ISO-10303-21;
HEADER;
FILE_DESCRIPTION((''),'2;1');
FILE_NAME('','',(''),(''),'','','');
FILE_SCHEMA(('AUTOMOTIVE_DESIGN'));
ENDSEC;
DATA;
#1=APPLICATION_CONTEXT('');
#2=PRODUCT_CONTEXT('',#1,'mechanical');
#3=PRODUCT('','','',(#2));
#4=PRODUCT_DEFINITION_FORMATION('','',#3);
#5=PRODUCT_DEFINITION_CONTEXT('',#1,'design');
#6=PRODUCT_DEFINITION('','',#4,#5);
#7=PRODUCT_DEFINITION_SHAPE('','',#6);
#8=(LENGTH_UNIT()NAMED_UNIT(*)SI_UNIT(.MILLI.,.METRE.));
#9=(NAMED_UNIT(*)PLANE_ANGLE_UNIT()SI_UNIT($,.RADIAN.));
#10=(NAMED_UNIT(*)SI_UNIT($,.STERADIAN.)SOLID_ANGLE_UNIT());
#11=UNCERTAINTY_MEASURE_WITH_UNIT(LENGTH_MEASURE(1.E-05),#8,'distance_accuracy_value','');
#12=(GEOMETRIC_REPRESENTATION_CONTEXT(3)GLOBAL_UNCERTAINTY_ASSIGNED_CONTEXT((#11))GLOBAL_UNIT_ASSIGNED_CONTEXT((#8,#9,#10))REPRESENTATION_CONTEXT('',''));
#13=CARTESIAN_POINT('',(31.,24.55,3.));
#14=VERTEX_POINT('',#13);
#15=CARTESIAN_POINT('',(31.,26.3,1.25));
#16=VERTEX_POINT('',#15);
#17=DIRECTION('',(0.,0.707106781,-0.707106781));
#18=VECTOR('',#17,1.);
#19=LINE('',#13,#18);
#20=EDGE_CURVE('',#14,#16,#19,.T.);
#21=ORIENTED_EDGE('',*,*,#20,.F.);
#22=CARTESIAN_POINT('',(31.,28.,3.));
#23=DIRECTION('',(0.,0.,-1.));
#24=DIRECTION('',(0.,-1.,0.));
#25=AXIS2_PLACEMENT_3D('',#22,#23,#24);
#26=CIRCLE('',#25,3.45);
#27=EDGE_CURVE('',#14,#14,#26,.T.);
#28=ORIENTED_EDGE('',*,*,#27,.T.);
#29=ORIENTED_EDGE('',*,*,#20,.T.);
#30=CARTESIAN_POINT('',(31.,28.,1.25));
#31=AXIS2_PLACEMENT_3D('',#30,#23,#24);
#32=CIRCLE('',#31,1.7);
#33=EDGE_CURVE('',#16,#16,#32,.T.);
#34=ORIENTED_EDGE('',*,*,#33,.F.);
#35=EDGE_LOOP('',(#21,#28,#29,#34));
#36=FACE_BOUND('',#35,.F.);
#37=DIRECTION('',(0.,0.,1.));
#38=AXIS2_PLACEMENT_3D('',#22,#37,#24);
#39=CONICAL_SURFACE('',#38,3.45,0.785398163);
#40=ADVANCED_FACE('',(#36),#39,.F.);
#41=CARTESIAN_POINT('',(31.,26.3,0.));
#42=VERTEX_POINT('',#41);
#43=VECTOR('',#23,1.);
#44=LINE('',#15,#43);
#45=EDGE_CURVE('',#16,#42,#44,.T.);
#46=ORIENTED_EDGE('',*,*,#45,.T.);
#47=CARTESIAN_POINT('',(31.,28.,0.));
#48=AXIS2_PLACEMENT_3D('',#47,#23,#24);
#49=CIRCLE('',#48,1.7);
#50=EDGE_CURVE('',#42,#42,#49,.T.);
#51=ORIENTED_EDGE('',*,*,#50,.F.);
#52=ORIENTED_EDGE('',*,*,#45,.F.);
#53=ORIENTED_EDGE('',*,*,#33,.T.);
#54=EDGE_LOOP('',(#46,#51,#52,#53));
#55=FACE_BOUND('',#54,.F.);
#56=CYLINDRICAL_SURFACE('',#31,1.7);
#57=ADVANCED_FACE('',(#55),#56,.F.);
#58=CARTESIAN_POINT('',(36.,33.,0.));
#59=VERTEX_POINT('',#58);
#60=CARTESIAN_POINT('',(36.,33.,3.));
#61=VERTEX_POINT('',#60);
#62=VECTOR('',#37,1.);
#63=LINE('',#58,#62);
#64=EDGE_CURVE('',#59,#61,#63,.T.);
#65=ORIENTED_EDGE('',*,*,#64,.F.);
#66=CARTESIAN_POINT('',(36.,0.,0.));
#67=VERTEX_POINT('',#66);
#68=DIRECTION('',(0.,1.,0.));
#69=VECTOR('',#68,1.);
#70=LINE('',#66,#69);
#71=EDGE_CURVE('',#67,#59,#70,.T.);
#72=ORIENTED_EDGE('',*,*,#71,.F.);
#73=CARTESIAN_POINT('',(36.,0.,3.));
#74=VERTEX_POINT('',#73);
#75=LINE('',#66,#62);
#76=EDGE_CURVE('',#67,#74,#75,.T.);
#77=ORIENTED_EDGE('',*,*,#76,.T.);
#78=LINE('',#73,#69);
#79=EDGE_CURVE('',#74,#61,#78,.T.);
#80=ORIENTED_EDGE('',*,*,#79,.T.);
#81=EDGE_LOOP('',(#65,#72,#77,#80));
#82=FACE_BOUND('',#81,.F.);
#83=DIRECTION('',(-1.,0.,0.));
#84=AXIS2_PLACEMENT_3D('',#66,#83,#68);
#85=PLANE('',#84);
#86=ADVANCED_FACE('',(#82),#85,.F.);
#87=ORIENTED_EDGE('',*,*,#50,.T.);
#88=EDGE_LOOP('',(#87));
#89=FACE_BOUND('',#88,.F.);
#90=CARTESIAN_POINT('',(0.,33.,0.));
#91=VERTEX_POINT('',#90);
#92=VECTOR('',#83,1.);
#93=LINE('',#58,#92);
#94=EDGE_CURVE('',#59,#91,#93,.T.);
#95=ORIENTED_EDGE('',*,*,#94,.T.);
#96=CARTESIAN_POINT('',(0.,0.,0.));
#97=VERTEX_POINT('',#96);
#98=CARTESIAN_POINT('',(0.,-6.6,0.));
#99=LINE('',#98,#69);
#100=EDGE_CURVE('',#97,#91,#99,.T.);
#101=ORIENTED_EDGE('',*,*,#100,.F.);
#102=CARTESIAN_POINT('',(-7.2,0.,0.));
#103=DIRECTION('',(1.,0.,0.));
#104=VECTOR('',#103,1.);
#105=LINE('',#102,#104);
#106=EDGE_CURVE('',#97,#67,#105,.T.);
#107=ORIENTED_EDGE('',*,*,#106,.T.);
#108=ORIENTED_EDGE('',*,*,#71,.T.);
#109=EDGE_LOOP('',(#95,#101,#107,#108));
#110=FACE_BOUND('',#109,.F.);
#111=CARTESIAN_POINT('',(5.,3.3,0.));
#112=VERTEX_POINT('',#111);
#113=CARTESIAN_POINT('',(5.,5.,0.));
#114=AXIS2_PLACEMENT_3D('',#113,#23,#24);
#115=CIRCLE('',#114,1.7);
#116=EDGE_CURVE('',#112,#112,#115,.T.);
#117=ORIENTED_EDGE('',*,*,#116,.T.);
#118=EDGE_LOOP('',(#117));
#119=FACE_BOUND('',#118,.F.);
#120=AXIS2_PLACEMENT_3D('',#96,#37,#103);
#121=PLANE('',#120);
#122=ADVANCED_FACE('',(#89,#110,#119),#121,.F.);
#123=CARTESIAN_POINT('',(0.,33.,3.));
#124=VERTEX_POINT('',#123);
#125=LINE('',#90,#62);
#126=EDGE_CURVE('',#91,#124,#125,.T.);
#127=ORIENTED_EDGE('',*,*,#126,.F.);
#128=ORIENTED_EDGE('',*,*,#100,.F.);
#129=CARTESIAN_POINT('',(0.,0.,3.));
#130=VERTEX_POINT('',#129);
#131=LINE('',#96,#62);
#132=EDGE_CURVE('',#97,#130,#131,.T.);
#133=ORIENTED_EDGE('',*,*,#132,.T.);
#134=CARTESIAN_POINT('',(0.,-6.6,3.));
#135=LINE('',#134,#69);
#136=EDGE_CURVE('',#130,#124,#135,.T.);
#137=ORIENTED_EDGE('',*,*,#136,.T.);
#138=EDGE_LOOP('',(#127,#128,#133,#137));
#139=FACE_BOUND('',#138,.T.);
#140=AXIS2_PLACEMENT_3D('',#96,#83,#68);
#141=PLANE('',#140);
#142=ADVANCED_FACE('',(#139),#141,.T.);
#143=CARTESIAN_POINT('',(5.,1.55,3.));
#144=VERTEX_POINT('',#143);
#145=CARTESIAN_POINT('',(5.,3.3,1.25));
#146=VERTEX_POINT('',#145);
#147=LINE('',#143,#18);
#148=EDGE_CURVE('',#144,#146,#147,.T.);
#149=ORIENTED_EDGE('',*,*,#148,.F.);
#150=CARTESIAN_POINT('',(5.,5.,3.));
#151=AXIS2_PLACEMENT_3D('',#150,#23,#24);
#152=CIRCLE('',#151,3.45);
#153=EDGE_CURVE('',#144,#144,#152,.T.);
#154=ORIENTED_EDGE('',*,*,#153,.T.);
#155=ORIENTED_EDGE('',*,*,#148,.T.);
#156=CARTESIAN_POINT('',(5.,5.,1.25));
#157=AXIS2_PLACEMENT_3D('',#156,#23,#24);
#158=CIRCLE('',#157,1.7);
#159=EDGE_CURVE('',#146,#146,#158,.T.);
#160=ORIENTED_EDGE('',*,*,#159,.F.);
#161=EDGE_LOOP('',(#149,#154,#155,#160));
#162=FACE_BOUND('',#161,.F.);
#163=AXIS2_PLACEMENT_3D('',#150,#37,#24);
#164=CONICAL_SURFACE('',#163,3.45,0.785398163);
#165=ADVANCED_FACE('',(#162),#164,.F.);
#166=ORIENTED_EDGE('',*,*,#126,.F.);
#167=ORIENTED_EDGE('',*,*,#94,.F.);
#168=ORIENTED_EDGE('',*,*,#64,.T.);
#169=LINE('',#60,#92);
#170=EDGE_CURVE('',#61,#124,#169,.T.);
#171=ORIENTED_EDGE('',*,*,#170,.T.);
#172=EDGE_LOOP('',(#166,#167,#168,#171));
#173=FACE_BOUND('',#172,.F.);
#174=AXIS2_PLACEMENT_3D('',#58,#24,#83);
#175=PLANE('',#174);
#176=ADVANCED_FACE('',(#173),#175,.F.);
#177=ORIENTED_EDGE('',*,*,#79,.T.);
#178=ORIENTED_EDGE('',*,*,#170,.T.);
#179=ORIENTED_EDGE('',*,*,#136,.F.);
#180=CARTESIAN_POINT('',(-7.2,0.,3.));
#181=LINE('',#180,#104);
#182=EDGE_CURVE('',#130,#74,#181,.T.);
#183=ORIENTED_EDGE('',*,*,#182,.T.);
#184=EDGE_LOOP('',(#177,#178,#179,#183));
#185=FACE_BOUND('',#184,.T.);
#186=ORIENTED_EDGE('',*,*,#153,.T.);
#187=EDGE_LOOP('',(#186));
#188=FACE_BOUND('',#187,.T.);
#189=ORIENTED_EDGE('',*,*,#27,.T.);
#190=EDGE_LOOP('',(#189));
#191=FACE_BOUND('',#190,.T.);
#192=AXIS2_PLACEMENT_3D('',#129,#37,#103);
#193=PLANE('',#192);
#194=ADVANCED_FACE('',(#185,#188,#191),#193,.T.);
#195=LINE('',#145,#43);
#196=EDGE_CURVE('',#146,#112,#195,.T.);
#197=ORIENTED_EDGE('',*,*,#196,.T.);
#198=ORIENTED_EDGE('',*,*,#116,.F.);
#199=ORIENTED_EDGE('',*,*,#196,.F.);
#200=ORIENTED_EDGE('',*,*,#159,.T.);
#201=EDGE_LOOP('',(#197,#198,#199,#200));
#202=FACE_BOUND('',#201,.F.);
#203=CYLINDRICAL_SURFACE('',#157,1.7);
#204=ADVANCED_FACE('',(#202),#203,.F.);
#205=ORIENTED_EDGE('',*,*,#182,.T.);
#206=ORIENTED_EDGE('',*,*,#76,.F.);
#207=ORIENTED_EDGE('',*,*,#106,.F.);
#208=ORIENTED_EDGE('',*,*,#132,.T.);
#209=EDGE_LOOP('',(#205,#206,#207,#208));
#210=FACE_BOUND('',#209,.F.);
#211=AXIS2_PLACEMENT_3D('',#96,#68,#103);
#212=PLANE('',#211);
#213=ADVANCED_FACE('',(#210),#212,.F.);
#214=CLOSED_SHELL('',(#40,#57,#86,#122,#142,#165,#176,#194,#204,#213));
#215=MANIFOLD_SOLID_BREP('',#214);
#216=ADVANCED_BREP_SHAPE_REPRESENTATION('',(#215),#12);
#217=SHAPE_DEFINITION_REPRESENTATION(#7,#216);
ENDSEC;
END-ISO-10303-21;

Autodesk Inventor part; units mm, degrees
ref_plane "YZ Plane" through (0, 0, 0) normal (1, 0, 0) x (0, 1, 0)
ref_plane "XZ Plane" through (0, 0, 0) normal (0, 1, 0) x (-1, 0, 0)
ref_plane "XY Plane" through (0, 0, 0) normal (0, 0, 1) x (1, 0, 0)
sketch "Skizze1" plane through (0, 0, 0) normal (0, 0, 1) x (1, 0, 0)
  line L0 (-7.2, 0) -> (43.2, 0) projected
  line L1 (0, -6.6) -> (0, 39.6) projected
  line L2 (0, 0) -> (36, 0)
  line L3 (36, 0) -> (36, 33)
  line L4 (36, 33) -> (0, 33)
  line L5 (0, 33) -> (0, 0)
  dimension "d0" = 36
  dimension "d1" = 33
extrude "Extrusion1" add sketch "Skizze1" along normal blind 3
sketch "Skizze2" plane through (0, 0, 3) normal (0, 0, 1) x (1, 0, 0)
  line L0 (0, 0) -> (36, 0) projected
  line L1 (36, 0) -> (36, 33) projected
  line L2 (36, 33) -> (0, 33) projected
  line L3 (0, 33) -> (0, 0) projected
  line L4 (5, 28) -> (31, 28)
  line L5 (31, 28) -> (31, 5)
  line L6 (31, 5) -> (5, 5)
  line L7 (5, 5) -> (5, 28)
  line L8 (18, 33) -> (18, 0)
  line L9 (36, 16.5) -> (0, 16.5)
  dimension "d4" = 26
  dimension "d5" = 23
hole "Bohrung1" at (31, 28, 3) at (5, 5, 3) direction (0, 0, -1) diameter 3.4 end through all countersink diameter 6.9 countersink angle 90
properties part number "13_1087_014"
